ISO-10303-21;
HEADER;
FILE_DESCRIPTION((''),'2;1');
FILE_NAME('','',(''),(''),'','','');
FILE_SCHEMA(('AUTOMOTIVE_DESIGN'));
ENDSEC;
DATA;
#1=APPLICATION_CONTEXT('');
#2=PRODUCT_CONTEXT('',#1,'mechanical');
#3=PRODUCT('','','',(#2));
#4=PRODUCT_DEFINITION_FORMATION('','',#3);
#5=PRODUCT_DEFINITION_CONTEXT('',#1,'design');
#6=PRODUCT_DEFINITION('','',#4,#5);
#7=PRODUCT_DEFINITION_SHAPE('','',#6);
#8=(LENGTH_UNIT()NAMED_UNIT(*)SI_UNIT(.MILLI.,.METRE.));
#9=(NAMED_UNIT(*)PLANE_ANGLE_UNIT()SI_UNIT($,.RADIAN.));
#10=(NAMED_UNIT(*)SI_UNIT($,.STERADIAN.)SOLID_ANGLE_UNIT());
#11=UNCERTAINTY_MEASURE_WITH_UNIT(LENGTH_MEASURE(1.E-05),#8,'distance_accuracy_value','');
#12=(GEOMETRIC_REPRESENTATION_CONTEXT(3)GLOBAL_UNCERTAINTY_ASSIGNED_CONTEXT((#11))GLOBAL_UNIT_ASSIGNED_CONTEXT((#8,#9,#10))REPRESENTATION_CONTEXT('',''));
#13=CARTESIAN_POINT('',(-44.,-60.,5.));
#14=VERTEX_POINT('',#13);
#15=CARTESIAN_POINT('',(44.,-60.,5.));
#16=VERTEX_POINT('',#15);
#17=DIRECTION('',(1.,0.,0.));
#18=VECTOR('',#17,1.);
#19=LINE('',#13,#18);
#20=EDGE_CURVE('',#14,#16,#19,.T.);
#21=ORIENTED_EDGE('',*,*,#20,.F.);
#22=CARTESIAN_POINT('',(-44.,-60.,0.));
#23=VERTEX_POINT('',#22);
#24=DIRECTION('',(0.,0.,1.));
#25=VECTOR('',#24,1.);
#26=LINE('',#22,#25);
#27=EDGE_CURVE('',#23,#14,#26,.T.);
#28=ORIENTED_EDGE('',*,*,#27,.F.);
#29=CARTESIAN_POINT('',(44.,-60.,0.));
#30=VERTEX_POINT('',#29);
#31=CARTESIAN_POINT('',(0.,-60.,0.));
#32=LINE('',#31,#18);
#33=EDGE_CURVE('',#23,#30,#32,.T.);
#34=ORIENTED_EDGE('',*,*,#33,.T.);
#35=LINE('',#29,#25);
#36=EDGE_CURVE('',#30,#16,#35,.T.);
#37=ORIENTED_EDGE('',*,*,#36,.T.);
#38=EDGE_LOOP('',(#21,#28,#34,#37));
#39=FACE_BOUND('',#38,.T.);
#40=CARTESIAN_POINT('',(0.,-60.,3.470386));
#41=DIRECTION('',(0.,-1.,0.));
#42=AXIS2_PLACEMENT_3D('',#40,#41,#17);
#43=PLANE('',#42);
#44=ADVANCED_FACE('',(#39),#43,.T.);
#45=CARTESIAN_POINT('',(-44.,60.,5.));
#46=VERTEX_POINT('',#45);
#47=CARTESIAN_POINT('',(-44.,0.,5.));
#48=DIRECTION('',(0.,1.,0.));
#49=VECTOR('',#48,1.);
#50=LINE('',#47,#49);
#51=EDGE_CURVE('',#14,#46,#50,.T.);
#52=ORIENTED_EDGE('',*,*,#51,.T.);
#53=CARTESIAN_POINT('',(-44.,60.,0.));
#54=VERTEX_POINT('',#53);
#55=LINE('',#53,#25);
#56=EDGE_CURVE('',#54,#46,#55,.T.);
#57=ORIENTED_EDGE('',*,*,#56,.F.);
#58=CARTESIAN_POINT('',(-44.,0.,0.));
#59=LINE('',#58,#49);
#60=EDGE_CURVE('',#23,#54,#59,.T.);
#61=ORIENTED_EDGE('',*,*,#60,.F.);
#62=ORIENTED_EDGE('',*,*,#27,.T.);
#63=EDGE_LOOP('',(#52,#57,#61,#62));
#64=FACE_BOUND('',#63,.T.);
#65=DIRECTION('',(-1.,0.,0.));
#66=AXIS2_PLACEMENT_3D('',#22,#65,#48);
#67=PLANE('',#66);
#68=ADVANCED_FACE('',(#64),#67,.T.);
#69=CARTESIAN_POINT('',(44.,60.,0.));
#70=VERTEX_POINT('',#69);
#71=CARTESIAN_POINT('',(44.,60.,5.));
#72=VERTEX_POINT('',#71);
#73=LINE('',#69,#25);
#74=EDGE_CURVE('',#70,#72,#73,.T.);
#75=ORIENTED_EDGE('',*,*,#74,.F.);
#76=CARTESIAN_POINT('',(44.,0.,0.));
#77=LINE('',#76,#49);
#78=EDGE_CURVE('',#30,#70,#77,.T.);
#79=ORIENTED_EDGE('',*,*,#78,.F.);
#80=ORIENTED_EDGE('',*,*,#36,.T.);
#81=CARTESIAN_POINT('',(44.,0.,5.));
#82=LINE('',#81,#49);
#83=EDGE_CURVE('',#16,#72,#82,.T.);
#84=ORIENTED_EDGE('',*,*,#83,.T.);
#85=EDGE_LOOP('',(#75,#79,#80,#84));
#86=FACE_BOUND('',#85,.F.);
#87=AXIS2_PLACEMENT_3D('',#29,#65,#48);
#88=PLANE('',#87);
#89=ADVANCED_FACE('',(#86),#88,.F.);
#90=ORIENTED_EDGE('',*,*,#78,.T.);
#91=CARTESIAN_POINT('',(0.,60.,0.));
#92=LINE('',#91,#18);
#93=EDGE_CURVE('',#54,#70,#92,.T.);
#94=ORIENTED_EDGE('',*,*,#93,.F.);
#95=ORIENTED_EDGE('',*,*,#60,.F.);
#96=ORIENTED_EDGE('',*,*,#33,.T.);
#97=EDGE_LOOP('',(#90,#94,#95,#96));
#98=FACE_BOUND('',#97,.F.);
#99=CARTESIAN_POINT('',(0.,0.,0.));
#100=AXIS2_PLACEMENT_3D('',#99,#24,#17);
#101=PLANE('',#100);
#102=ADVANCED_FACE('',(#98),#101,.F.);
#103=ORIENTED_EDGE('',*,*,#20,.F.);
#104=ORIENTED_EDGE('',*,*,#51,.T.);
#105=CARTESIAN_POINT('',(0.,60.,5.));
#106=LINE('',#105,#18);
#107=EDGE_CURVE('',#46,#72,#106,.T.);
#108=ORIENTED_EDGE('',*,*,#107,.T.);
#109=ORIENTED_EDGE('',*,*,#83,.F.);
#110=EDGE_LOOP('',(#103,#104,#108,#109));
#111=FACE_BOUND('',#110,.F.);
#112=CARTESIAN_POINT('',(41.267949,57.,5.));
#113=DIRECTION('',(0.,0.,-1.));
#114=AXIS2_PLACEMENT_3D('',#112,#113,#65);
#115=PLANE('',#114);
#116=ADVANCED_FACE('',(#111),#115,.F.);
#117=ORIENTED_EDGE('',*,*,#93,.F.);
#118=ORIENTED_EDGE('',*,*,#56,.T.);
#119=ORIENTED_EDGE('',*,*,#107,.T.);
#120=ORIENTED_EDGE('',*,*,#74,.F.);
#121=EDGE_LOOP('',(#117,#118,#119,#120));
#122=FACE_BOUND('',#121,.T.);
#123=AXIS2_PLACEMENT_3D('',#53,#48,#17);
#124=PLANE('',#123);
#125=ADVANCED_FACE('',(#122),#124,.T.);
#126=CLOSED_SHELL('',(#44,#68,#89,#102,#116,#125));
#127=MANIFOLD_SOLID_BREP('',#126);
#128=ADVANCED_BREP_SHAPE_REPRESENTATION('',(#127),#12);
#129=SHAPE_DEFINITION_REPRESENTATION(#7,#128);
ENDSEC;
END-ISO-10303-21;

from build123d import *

# Parameters (mm, degrees)
F0_W     = 88
F0_H     = 120
F1_DEPTH = 5
F3_DEPTH = 117
F5_DEPTH = 117


with BuildPart() as f1:
    # F0 (on Top) → F1 (new body)
    with BuildSketch(Plane.XY):
        Rectangle(F0_W, F0_H)
    extrude(amount=F1_DEPTH)

    # F2 (on face) → F3 (cut)
    with BuildSketch(Plane.XZ.offset(60)):
        Polygon((41.267949, 5), (-41.267949, 5), (-43, 2), (43, 2), align=None)
    extrude(amount=-F3_DEPTH, mode=Mode.SUBTRACT)

    # F4 (on face) → F5 (join)
    with BuildSketch(Plane.XZ.offset(-57)):
        Polygon((41.267949, 5), (-41.267949, 5), (-43, 2), (43, 2), align=None)
    extrude(amount=F5_DEPTH)


solid = f1.part
